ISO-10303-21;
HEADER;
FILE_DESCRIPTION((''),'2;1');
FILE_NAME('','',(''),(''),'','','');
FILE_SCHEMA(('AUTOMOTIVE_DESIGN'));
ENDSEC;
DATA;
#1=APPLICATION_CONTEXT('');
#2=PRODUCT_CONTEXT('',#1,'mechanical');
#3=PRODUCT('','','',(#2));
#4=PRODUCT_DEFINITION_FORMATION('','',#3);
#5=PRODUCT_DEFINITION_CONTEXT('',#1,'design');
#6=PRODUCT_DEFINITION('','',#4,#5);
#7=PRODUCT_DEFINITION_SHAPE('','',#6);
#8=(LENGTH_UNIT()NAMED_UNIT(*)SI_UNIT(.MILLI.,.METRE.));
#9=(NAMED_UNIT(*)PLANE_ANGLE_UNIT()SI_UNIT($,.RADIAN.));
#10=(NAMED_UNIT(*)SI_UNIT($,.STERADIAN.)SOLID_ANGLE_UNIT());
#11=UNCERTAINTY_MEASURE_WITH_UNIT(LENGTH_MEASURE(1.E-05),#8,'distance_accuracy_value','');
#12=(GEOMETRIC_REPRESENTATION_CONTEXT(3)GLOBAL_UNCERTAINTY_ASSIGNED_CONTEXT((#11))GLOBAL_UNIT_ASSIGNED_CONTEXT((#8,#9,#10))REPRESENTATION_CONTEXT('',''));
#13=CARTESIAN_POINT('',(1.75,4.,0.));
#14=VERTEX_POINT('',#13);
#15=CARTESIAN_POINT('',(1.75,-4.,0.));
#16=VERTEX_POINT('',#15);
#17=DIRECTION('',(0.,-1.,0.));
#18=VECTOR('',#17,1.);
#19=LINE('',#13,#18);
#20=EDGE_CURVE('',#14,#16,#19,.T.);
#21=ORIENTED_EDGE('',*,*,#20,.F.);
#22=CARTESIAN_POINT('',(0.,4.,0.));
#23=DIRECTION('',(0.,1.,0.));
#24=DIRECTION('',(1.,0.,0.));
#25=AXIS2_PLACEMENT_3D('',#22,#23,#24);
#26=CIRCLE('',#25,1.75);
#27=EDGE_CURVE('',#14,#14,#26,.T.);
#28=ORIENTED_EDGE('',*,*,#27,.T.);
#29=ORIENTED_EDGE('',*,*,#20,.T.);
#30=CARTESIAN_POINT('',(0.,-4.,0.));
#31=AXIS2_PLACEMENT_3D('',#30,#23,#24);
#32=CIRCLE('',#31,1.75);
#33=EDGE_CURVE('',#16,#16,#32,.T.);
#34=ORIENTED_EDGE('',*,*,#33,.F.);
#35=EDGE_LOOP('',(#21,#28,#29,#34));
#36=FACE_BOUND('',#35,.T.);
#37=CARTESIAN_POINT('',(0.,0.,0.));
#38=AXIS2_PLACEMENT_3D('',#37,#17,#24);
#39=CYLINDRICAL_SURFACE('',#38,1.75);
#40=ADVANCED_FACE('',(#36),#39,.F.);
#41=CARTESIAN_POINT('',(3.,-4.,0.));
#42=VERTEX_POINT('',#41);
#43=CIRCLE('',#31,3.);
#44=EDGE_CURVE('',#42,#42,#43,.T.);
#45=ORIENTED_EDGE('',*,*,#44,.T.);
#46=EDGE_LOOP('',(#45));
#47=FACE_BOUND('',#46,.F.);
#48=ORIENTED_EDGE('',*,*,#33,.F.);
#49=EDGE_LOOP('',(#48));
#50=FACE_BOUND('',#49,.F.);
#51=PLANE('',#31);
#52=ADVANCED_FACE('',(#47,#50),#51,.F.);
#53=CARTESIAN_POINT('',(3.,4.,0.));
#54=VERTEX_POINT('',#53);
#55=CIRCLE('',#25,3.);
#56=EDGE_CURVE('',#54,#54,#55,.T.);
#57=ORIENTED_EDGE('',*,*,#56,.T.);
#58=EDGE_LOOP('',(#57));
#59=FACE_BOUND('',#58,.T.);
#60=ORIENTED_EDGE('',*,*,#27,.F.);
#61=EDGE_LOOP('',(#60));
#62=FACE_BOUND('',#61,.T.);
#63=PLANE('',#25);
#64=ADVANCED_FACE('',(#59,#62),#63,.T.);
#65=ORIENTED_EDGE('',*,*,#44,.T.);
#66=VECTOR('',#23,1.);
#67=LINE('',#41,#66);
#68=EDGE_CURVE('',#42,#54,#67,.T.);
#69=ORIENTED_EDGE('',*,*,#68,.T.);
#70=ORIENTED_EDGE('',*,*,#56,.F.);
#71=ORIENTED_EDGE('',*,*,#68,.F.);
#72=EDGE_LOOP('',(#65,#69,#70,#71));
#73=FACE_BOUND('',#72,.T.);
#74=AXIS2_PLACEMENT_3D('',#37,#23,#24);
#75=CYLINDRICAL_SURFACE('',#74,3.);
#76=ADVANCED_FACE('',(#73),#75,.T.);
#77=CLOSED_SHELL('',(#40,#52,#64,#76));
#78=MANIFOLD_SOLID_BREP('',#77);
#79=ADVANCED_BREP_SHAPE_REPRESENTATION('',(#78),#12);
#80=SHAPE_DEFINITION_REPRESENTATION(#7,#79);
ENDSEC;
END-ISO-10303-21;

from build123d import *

# Parameters (mm, degrees)
SKETCH1_R           = 3
SKETCH1_R_2         = 1.75
BOSS_EXTRUDE1_DEPTH = 4


with BuildPart() as part:
    # Sketch1 → Boss-Extrude1 (new body, symmetric)
    with BuildSketch(Plane(origin=(0, 0, 0), x_dir=(1, 0, 0), z_dir=(0, 1, 0))):
        Circle(SKETCH1_R)
        Circle(SKETCH1_R_2, mode=Mode.SUBTRACT)
    extrude(amount=BOSS_EXTRUDE1_DEPTH, both=True)


solid = part.part
